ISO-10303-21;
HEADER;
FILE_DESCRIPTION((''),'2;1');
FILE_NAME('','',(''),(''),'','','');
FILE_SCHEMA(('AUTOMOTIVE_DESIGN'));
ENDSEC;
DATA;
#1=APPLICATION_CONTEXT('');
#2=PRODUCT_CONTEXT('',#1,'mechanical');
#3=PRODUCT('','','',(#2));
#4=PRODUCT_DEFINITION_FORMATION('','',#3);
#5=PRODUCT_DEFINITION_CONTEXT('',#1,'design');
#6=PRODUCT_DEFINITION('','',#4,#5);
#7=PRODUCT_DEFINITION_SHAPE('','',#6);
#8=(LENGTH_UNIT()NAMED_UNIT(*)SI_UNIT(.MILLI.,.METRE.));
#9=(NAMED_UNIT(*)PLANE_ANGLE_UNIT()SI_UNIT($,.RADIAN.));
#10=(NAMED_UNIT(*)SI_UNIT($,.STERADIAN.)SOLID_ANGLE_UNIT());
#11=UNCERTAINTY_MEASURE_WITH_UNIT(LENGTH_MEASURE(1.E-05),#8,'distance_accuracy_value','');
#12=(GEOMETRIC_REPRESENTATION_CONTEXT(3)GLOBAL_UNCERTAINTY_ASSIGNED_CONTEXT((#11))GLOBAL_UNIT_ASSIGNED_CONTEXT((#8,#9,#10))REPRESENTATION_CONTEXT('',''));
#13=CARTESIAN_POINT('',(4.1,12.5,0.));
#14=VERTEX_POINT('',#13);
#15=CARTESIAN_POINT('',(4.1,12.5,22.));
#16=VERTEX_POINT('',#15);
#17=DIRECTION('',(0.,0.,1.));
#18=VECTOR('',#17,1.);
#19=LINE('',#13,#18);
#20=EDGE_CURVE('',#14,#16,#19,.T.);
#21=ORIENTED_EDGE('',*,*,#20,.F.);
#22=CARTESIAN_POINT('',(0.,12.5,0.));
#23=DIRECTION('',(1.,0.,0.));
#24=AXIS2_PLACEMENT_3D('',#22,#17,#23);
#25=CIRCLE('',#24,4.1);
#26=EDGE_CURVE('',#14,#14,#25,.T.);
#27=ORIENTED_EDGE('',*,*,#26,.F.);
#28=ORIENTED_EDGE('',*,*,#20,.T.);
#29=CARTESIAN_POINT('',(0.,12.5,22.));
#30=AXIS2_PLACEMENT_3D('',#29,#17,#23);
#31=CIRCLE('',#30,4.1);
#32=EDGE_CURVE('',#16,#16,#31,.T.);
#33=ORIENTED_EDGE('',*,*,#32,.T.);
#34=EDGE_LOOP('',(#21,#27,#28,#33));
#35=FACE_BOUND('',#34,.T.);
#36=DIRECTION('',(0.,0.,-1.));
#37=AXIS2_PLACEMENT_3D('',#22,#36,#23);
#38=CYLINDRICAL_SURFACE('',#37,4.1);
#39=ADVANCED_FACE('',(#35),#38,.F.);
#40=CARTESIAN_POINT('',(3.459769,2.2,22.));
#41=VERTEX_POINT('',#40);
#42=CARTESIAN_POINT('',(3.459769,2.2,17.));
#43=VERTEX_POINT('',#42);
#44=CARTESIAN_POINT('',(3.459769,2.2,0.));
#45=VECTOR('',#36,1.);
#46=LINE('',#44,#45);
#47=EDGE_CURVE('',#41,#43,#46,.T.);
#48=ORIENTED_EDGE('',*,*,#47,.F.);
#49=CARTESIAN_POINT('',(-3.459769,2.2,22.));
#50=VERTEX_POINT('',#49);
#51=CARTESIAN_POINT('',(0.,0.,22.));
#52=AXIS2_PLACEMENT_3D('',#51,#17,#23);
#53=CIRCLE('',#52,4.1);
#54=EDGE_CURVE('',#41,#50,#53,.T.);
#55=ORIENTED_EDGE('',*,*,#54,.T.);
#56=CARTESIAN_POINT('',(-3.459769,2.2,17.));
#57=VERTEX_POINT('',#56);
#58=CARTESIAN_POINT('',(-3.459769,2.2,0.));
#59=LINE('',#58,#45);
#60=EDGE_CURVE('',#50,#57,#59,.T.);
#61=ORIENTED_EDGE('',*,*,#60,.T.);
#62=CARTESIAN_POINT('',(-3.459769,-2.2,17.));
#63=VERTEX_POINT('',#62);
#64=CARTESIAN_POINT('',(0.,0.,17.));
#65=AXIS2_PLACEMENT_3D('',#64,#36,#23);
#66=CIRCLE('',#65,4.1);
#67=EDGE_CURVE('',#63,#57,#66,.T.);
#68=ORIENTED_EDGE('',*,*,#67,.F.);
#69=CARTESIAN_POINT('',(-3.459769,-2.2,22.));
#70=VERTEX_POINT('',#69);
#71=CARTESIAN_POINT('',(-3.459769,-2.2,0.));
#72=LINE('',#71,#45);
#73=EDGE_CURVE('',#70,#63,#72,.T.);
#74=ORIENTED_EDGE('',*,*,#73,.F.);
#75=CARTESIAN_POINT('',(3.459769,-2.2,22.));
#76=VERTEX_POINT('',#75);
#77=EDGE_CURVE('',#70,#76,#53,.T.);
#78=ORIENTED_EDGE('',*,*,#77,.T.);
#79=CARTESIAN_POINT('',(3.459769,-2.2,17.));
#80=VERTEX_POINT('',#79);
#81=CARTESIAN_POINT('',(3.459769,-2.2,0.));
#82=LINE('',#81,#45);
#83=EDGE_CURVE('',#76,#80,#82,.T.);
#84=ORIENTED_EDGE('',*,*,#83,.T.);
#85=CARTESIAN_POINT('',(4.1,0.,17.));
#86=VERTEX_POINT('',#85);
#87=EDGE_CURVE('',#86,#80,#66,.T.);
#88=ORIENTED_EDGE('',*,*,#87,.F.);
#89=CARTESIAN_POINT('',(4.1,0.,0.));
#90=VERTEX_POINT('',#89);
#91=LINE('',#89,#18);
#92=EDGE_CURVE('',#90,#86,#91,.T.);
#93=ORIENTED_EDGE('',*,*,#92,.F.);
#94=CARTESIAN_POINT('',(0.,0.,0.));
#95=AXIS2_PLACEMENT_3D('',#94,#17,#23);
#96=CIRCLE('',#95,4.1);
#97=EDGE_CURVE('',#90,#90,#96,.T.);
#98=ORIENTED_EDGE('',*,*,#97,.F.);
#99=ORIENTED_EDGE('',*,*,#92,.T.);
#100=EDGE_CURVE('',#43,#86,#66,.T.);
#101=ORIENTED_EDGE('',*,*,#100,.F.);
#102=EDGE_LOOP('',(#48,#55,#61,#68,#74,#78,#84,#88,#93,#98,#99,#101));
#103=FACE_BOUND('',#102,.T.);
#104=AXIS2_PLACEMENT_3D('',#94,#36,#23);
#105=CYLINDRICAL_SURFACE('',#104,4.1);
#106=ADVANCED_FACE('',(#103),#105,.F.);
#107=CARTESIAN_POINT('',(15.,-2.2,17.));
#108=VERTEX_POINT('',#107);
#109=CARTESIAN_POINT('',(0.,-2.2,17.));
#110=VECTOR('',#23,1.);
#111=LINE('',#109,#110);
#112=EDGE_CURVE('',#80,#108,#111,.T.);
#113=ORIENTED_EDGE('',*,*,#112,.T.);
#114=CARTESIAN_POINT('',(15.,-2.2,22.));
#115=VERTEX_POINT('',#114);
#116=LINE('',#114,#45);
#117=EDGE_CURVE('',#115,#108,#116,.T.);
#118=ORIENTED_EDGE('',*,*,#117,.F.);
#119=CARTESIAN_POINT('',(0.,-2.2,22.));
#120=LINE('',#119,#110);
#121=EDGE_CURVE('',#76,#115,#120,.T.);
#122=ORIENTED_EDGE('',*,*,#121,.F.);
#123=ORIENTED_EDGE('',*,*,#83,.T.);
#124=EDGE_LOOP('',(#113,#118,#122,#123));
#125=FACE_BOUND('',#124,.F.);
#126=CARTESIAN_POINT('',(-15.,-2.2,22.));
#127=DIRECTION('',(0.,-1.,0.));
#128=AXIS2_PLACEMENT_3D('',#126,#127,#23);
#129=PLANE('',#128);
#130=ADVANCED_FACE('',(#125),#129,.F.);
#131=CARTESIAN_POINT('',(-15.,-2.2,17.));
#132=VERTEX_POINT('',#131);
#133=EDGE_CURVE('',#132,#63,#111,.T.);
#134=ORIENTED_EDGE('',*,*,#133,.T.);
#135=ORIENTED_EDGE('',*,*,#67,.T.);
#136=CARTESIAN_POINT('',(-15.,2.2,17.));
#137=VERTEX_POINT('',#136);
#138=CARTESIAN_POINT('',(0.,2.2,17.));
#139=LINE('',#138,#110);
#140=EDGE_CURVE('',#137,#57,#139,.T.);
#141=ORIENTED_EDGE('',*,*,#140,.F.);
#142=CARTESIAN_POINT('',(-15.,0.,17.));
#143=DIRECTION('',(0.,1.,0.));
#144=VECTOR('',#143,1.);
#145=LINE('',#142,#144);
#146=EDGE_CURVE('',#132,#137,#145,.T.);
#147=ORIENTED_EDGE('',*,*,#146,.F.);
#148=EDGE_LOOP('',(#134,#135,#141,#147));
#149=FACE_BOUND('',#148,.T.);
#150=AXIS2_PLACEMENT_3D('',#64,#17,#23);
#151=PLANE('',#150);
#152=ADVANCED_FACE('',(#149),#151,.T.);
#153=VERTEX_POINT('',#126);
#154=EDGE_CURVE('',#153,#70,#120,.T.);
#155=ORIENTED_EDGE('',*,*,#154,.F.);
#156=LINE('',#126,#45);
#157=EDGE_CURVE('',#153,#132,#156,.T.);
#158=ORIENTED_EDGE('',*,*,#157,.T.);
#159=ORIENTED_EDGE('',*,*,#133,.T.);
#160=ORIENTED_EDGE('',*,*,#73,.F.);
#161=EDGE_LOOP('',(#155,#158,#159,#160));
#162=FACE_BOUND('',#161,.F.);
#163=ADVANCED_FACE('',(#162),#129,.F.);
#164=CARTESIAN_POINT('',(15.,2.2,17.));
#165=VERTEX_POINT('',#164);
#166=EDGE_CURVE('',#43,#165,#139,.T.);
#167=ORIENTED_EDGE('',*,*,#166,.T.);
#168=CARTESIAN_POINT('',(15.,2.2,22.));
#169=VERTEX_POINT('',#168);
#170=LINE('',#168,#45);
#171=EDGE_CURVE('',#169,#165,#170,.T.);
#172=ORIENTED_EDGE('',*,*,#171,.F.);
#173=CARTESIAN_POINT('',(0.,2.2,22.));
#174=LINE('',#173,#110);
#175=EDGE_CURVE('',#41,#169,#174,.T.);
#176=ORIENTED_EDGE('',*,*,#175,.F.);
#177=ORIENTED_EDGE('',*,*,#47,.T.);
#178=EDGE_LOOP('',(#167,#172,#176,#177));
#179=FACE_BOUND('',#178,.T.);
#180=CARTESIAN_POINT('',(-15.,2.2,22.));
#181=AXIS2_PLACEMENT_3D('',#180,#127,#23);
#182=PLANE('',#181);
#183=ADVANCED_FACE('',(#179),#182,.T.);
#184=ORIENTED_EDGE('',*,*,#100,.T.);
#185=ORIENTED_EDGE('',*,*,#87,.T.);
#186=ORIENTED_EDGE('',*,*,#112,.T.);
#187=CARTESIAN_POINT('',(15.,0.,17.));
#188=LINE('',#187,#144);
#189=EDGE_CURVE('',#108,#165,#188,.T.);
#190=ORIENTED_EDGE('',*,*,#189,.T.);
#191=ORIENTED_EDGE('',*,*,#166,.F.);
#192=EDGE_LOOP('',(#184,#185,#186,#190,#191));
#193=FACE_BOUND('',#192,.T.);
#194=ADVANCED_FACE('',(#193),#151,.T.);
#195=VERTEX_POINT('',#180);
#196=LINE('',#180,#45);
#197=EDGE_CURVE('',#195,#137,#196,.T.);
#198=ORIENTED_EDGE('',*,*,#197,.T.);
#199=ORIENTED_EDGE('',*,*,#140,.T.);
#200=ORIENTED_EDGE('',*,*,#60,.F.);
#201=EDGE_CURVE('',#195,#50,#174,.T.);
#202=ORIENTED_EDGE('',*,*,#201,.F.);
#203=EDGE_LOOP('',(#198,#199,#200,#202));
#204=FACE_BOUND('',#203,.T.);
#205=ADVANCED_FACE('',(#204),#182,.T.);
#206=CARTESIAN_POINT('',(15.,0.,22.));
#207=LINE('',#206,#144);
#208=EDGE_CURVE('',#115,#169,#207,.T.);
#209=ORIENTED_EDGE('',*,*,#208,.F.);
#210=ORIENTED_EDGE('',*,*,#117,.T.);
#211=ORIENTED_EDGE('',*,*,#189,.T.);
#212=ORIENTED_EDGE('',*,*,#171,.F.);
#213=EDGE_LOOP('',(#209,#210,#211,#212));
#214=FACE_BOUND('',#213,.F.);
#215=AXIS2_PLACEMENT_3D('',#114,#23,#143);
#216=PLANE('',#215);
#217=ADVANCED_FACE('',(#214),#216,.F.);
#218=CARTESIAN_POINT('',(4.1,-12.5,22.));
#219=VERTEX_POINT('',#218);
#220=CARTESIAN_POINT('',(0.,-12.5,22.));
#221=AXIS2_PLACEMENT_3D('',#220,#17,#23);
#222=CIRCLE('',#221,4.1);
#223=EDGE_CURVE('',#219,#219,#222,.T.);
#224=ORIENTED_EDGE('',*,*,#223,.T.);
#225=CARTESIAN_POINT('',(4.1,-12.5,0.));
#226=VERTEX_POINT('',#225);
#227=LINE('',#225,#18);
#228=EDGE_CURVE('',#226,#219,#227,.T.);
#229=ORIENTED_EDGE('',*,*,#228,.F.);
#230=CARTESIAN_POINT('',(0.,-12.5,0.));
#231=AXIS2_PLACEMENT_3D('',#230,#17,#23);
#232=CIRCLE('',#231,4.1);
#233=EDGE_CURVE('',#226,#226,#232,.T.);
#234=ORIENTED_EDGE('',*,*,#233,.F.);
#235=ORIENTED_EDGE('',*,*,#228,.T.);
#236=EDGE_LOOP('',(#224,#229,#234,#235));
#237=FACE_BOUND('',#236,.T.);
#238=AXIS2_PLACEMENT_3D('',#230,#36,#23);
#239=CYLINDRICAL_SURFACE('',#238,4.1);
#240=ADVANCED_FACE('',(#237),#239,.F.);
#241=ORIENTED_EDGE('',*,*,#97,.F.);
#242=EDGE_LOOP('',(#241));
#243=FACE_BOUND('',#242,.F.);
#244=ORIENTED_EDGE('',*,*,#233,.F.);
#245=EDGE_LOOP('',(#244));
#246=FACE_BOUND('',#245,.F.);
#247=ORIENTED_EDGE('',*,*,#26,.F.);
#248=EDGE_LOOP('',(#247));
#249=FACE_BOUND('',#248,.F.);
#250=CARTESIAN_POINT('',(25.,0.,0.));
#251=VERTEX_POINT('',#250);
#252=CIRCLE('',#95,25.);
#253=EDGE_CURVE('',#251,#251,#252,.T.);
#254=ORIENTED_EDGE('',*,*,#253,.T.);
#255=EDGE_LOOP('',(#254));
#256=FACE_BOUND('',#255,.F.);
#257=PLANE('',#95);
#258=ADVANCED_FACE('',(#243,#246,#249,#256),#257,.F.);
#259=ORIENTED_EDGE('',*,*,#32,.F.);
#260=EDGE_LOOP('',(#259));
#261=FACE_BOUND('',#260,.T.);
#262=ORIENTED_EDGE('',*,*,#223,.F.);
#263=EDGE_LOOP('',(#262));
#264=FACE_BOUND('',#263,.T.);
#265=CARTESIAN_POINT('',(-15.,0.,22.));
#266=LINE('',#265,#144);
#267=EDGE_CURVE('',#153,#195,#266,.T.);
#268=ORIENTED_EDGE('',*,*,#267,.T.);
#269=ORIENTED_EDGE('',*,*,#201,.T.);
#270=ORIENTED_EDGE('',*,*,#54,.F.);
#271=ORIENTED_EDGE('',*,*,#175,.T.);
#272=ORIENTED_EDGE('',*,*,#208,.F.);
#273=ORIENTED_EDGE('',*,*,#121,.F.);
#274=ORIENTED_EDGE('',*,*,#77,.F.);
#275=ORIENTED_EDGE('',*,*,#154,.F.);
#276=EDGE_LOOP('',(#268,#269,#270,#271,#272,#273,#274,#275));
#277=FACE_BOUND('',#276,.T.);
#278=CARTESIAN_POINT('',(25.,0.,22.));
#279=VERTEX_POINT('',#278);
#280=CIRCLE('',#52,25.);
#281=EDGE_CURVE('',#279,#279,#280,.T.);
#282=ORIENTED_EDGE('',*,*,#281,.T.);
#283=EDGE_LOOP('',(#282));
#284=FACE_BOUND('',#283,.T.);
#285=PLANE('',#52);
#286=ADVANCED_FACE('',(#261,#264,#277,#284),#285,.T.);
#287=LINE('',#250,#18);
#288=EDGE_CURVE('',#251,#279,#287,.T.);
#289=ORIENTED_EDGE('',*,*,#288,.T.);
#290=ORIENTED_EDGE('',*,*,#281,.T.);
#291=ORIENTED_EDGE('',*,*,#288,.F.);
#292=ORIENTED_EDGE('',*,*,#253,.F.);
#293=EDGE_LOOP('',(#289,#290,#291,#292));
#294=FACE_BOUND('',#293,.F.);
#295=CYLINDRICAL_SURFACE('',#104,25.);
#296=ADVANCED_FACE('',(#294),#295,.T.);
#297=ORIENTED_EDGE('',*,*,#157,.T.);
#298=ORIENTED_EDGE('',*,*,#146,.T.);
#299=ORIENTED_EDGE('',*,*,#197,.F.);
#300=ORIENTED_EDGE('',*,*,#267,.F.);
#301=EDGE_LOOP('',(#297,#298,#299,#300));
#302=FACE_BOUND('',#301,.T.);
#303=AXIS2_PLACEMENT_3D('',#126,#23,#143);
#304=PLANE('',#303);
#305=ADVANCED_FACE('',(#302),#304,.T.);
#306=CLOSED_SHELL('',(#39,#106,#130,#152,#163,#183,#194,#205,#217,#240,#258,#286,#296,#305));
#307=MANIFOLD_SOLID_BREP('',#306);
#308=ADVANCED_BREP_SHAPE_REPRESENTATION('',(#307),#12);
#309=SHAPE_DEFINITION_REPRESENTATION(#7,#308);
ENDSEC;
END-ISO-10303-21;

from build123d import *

# Parameters (mm, degrees)
F0_R     = 25
F0_R_2   = 4.1
F1_DEPTH = 22
F2_W     = 30
F2_H     = 4.4
F3_DEPTH = 5


with BuildPart() as f1:
    # F0 (on Top) → F1 (new body)
    with BuildSketch(Plane.XY):
        Circle(F0_R)
        with Locations((0, -12.5)):
            Circle(F0_R_2, mode=Mode.SUBTRACT)
        Circle(F0_R_2, mode=Mode.SUBTRACT)
        with Locations((0, 12.5)):
            Circle(F0_R_2, mode=Mode.SUBTRACT)
    extrude(amount=F1_DEPTH)

    # F2 (on face) → F3 (cut)
    with BuildSketch(Plane.XY.offset(22)):
        Rectangle(F2_W, F2_H)
    extrude(amount=-F3_DEPTH, mode=Mode.SUBTRACT)


solid = f1.part
